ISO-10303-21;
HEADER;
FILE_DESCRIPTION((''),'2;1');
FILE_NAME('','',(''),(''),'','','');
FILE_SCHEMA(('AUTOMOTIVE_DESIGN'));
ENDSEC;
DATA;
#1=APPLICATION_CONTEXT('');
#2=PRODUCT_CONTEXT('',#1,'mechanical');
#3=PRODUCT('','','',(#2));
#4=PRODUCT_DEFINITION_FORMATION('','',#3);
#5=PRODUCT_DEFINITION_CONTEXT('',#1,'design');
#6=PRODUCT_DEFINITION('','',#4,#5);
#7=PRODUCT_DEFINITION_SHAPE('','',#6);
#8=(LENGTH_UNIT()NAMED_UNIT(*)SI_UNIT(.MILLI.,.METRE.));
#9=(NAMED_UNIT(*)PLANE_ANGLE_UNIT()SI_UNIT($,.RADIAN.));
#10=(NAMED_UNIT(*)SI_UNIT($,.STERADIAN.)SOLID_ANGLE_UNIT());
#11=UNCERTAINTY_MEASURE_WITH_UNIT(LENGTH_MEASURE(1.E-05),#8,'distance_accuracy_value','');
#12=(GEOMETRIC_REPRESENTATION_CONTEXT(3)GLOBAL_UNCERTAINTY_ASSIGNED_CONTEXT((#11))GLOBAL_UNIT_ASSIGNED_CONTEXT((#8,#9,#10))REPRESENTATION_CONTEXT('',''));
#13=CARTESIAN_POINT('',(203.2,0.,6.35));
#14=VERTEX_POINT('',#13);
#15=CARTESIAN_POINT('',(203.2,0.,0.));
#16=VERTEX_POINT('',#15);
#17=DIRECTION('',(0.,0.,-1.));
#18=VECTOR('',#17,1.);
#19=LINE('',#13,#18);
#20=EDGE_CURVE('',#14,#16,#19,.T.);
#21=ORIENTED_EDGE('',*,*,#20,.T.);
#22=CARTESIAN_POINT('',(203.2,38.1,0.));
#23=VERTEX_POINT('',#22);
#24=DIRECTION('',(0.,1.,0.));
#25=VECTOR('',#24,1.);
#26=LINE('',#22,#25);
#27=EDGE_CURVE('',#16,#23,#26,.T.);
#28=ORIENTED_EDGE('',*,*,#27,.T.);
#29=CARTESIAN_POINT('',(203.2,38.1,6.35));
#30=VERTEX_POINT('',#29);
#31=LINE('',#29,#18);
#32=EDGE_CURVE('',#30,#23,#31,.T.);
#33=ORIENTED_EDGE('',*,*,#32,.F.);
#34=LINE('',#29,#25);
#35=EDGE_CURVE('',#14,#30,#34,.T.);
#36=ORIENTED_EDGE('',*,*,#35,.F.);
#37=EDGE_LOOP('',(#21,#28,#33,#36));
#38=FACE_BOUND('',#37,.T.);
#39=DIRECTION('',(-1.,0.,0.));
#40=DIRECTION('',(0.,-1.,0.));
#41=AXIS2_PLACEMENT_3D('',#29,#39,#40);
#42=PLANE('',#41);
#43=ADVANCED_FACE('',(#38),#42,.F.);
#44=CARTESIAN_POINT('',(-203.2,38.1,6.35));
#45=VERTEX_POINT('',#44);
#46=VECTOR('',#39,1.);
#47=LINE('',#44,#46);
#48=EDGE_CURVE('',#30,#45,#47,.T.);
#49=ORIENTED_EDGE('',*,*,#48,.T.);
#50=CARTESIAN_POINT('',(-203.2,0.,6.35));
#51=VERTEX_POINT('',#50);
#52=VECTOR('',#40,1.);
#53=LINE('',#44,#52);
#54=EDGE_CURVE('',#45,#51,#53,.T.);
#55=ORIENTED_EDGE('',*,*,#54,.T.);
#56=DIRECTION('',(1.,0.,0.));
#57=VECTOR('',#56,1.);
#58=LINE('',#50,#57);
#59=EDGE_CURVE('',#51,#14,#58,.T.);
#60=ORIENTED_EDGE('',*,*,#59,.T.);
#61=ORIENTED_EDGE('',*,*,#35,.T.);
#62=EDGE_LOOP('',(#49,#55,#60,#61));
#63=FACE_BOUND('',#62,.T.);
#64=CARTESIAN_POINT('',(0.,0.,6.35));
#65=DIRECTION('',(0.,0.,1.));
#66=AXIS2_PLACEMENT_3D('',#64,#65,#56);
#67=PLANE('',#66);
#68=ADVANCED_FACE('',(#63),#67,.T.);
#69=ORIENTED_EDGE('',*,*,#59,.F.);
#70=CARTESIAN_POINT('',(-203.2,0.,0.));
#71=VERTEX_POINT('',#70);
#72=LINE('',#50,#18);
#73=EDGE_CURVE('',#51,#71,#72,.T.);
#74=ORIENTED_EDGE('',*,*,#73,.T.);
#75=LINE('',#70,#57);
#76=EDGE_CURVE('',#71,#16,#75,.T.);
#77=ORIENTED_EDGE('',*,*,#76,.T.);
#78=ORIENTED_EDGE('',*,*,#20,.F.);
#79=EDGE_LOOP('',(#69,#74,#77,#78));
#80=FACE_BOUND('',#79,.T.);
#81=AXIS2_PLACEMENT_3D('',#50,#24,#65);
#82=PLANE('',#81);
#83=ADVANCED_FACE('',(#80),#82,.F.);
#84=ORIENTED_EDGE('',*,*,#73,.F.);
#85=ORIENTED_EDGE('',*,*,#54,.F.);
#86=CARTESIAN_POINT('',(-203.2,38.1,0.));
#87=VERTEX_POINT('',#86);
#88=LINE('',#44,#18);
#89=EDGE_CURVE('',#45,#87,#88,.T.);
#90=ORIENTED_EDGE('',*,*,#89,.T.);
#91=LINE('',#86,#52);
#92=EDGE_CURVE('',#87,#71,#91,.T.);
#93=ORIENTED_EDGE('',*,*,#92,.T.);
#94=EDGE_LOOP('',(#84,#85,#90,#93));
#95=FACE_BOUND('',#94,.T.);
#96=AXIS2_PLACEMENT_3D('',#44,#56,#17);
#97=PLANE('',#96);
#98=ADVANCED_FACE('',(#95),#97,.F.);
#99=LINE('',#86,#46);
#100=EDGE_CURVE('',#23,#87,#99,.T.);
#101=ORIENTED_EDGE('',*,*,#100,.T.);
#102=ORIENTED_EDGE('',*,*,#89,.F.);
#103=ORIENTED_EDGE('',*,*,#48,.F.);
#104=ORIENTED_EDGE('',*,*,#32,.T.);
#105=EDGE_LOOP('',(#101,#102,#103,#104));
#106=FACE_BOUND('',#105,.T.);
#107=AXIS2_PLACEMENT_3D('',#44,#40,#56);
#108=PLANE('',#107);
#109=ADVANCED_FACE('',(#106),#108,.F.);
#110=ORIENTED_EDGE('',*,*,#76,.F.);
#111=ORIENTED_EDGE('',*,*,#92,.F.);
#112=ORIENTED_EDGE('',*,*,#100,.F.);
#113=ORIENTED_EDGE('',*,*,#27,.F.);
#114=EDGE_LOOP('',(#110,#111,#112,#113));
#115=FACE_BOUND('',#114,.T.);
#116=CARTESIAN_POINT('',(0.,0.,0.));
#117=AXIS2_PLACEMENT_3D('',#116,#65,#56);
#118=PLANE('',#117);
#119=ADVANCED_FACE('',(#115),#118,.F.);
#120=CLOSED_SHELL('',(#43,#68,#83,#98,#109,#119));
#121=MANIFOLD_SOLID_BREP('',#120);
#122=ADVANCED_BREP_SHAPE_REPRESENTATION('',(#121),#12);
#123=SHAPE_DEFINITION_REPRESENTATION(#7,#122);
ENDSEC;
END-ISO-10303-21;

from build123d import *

# Parameters (mm, degrees)
SKETCH2_W           = 406.4
SKETCH2_H           = 38.1
BOSS_EXTRUDE1_DEPTH = 6.35


with BuildPart() as part:
    # Sketch2 → Boss-Extrude1 (new body)
    with BuildSketch(Plane.XY):
        with Locations((0, 19.05)):
            Rectangle(SKETCH2_W, SKETCH2_H)
    extrude(amount=BOSS_EXTRUDE1_DEPTH)


solid = part.part
